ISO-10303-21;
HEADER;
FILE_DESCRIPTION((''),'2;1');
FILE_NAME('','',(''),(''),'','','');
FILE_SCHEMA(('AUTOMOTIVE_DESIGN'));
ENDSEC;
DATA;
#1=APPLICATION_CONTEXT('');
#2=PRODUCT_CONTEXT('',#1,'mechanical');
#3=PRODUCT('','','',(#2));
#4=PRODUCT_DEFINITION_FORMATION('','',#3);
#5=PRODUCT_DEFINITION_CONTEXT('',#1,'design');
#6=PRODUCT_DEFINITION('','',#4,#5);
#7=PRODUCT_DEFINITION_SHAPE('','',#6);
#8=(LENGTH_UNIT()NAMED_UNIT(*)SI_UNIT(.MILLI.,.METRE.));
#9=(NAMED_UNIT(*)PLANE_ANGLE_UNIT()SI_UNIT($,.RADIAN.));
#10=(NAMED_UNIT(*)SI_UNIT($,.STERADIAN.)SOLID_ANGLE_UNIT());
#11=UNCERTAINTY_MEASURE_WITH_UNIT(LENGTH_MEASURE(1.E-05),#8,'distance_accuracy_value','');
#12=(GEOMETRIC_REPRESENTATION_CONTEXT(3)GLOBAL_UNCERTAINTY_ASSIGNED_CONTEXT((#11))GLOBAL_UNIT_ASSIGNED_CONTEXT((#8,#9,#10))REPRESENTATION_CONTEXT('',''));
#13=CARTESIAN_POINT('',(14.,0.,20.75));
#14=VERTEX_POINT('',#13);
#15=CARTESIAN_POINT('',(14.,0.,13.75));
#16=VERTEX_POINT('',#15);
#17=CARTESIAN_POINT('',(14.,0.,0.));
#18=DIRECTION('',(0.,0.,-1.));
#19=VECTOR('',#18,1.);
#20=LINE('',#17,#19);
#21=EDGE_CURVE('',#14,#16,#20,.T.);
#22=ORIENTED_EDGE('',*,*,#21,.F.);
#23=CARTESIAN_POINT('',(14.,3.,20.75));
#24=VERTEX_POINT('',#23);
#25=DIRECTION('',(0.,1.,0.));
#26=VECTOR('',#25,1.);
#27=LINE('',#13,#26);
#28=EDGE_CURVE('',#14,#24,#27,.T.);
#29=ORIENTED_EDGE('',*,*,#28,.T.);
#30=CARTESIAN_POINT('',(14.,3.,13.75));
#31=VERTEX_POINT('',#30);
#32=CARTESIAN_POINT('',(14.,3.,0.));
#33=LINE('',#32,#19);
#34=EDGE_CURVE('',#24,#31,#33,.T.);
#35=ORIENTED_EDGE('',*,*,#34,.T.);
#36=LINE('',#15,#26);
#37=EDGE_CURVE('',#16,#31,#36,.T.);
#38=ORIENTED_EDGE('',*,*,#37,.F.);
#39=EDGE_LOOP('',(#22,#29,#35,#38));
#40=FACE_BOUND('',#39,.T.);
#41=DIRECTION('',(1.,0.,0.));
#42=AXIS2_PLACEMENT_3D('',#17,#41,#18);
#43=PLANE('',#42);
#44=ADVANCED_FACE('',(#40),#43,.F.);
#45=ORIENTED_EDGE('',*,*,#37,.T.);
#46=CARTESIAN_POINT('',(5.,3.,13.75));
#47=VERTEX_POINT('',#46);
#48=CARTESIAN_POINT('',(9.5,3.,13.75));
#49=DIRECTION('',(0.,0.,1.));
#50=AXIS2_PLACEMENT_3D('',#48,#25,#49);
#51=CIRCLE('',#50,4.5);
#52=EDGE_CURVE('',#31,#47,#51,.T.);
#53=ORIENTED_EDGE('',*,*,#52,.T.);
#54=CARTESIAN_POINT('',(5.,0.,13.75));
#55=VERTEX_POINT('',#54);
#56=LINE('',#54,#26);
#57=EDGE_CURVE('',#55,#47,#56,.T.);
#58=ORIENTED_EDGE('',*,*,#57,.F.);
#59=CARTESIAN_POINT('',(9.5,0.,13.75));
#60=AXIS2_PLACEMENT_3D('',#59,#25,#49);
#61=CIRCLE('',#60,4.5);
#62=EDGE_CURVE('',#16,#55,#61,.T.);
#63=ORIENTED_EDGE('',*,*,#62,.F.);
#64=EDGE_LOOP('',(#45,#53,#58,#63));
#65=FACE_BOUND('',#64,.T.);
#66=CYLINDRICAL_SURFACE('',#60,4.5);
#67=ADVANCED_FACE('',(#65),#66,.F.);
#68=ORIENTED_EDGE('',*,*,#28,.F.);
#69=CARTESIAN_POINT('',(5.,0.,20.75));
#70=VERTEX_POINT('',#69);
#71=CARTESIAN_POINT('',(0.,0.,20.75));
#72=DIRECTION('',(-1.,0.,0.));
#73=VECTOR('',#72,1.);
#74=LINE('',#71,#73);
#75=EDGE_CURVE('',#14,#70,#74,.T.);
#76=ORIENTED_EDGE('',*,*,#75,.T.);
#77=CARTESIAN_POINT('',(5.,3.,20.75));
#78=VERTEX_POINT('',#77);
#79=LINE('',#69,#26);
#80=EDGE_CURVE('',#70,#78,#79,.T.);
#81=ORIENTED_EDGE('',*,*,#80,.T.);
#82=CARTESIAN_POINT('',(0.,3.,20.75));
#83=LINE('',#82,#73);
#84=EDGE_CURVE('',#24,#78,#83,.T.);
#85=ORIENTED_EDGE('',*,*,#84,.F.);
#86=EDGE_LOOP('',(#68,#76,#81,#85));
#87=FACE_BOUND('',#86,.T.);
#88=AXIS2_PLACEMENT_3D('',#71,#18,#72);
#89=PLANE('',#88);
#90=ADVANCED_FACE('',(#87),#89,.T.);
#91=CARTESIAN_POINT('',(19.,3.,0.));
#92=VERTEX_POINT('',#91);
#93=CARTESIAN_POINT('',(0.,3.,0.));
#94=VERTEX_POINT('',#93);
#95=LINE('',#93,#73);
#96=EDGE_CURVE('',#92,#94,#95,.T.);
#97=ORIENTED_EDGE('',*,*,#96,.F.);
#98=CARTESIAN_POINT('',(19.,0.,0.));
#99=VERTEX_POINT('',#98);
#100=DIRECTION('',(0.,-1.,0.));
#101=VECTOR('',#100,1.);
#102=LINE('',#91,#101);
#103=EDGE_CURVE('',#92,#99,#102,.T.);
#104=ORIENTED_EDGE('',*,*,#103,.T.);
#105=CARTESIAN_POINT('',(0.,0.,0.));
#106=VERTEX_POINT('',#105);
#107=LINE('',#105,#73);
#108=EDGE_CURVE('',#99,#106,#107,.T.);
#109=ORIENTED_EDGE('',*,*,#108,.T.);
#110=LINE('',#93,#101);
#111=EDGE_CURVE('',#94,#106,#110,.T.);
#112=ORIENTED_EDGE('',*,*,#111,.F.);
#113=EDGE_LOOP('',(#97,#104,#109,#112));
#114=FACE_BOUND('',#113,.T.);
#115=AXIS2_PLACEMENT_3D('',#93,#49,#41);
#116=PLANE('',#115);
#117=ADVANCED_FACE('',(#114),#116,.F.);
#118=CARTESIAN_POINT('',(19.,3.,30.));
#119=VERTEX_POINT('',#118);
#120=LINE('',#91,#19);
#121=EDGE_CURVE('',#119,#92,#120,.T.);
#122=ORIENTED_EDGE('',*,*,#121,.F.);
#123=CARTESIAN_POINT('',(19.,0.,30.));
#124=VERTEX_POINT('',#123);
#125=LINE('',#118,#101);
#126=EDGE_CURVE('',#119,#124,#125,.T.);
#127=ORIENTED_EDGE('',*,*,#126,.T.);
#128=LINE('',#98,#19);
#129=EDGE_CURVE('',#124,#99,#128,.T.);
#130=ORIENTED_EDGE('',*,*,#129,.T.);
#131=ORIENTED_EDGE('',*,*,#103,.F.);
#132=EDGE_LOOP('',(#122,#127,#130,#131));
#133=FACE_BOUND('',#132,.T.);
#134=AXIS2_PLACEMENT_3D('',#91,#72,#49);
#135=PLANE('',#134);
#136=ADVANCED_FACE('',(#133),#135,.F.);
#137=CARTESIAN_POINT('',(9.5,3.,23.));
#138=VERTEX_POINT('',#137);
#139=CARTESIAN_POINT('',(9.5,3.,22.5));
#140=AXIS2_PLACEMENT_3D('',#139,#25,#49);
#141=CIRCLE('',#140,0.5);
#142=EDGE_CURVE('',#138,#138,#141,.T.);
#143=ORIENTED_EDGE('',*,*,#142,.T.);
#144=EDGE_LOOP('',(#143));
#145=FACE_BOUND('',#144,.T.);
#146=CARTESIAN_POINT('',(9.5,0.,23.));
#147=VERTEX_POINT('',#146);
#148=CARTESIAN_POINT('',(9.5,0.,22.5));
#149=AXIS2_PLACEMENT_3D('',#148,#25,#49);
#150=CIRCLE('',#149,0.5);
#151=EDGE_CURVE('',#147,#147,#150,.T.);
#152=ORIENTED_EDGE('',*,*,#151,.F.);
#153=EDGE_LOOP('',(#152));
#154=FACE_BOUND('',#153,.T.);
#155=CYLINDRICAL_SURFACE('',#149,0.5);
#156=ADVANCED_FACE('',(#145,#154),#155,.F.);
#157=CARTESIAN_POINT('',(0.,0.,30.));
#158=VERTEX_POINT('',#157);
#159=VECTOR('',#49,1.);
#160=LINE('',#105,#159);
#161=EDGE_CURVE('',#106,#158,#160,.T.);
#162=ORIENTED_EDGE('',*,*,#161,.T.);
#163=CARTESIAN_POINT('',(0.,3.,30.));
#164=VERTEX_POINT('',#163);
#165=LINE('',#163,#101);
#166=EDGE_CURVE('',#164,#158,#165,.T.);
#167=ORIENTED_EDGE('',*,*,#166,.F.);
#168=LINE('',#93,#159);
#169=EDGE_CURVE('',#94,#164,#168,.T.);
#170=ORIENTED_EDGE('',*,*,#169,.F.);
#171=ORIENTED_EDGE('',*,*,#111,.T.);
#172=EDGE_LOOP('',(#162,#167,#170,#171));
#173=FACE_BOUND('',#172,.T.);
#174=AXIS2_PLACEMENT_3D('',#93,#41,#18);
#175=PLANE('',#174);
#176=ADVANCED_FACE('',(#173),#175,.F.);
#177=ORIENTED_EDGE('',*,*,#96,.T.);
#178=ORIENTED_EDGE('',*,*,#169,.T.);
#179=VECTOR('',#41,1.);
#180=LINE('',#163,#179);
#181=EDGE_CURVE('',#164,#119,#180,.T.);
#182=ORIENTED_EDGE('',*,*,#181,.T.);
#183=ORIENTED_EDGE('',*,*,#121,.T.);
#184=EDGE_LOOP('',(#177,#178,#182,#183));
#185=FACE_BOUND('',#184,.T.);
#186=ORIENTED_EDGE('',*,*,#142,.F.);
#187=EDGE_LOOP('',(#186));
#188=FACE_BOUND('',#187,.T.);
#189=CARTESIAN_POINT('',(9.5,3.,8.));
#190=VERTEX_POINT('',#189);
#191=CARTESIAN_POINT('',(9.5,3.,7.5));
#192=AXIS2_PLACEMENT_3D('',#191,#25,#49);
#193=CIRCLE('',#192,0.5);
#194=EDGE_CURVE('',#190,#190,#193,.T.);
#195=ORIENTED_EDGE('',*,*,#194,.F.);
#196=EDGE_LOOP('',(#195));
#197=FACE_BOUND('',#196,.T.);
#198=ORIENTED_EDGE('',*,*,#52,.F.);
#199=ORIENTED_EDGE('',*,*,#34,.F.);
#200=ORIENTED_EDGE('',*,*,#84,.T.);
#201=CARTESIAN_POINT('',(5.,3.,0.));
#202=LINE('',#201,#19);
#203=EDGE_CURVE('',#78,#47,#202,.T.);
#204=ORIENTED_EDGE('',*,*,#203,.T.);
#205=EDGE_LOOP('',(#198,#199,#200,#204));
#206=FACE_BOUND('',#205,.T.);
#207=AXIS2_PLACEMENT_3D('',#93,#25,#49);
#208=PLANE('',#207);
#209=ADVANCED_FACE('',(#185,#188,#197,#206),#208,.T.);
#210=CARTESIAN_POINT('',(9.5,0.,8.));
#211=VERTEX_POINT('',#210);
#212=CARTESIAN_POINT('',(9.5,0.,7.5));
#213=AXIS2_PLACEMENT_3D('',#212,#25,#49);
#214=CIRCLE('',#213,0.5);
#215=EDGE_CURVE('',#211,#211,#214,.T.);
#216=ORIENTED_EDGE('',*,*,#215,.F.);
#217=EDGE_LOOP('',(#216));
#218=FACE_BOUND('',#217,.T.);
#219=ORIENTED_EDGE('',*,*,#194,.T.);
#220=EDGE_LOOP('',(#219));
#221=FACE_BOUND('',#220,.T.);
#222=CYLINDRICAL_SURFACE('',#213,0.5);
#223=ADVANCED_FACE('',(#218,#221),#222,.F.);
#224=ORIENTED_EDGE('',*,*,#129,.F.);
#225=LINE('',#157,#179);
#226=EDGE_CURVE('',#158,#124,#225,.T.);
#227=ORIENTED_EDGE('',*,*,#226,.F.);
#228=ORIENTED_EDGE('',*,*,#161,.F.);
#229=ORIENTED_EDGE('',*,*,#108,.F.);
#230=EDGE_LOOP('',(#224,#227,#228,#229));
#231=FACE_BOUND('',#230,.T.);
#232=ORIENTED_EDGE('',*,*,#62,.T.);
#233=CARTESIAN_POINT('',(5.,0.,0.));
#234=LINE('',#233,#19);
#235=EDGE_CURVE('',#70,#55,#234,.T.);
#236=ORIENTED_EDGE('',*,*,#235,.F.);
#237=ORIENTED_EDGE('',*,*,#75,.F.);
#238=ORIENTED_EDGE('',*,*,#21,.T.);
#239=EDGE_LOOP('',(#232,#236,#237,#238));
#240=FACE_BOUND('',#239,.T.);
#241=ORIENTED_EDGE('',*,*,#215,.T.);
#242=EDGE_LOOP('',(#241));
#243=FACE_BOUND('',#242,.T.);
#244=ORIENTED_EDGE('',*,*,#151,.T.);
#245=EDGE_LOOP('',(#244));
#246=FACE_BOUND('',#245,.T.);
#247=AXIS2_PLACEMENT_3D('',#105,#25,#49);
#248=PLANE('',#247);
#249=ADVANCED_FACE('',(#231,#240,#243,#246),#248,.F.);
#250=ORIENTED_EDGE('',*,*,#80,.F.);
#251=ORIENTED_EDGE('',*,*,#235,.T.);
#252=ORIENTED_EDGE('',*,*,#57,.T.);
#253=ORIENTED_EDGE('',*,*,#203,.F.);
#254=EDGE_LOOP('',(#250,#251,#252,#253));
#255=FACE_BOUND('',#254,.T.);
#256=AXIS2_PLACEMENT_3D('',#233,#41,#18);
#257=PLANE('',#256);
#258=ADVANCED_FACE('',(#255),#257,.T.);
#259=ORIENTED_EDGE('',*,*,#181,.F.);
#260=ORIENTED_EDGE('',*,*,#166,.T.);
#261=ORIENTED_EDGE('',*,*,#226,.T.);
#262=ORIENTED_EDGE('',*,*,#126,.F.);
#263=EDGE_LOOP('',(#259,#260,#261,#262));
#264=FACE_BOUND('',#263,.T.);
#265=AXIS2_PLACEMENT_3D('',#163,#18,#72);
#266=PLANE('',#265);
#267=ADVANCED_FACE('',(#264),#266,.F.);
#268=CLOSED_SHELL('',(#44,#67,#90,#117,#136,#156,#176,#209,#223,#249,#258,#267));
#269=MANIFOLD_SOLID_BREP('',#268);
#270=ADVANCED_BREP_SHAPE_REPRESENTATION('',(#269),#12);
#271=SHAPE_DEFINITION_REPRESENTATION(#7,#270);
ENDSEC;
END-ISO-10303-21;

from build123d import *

# Parameters (mm, degrees)
SKETCH1_W           = 19
SKETCH1_H           = 30
BOSS_EXTRUDE1_DEPTH = 3
SKETCH2_R           = 0.5
CUT_EXTRUDE1_DEPTH  = 4


with BuildPart() as part:
    # Sketch1 → Boss-Extrude1 (new body)
    with BuildSketch(Plane(origin=(0, 0, 0), x_dir=(1, 0, 0), z_dir=(0, 1, 0))):
        with Locations((9.5, -15)):
            Rectangle(SKETCH1_W, SKETCH1_H)
    extrude(amount=BOSS_EXTRUDE1_DEPTH)

    # Sketch2 → Cut-Extrude1 (cut, through all)
    with BuildSketch(Plane(origin=(0, 3, 0), x_dir=(1, 0, 0), z_dir=(0, 1, 0))):
        with BuildLine():
            Line((5, -20.75), (14, -20.75))
            Line((14, -20.75), (14, -13.75))
            ThreePointArc((14, -13.75), (9.5, -9.25), (5, -13.75))
            Line((5, -13.75), (5, -20.75))
        make_face()
        with Locations((9.5, -22.5)):
            Circle(SKETCH2_R)
        with Locations((9.5, -7.5)):
            Circle(SKETCH2_R)
    extrude(amount=-CUT_EXTRUDE1_DEPTH, mode=Mode.SUBTRACT)


solid = part.part
